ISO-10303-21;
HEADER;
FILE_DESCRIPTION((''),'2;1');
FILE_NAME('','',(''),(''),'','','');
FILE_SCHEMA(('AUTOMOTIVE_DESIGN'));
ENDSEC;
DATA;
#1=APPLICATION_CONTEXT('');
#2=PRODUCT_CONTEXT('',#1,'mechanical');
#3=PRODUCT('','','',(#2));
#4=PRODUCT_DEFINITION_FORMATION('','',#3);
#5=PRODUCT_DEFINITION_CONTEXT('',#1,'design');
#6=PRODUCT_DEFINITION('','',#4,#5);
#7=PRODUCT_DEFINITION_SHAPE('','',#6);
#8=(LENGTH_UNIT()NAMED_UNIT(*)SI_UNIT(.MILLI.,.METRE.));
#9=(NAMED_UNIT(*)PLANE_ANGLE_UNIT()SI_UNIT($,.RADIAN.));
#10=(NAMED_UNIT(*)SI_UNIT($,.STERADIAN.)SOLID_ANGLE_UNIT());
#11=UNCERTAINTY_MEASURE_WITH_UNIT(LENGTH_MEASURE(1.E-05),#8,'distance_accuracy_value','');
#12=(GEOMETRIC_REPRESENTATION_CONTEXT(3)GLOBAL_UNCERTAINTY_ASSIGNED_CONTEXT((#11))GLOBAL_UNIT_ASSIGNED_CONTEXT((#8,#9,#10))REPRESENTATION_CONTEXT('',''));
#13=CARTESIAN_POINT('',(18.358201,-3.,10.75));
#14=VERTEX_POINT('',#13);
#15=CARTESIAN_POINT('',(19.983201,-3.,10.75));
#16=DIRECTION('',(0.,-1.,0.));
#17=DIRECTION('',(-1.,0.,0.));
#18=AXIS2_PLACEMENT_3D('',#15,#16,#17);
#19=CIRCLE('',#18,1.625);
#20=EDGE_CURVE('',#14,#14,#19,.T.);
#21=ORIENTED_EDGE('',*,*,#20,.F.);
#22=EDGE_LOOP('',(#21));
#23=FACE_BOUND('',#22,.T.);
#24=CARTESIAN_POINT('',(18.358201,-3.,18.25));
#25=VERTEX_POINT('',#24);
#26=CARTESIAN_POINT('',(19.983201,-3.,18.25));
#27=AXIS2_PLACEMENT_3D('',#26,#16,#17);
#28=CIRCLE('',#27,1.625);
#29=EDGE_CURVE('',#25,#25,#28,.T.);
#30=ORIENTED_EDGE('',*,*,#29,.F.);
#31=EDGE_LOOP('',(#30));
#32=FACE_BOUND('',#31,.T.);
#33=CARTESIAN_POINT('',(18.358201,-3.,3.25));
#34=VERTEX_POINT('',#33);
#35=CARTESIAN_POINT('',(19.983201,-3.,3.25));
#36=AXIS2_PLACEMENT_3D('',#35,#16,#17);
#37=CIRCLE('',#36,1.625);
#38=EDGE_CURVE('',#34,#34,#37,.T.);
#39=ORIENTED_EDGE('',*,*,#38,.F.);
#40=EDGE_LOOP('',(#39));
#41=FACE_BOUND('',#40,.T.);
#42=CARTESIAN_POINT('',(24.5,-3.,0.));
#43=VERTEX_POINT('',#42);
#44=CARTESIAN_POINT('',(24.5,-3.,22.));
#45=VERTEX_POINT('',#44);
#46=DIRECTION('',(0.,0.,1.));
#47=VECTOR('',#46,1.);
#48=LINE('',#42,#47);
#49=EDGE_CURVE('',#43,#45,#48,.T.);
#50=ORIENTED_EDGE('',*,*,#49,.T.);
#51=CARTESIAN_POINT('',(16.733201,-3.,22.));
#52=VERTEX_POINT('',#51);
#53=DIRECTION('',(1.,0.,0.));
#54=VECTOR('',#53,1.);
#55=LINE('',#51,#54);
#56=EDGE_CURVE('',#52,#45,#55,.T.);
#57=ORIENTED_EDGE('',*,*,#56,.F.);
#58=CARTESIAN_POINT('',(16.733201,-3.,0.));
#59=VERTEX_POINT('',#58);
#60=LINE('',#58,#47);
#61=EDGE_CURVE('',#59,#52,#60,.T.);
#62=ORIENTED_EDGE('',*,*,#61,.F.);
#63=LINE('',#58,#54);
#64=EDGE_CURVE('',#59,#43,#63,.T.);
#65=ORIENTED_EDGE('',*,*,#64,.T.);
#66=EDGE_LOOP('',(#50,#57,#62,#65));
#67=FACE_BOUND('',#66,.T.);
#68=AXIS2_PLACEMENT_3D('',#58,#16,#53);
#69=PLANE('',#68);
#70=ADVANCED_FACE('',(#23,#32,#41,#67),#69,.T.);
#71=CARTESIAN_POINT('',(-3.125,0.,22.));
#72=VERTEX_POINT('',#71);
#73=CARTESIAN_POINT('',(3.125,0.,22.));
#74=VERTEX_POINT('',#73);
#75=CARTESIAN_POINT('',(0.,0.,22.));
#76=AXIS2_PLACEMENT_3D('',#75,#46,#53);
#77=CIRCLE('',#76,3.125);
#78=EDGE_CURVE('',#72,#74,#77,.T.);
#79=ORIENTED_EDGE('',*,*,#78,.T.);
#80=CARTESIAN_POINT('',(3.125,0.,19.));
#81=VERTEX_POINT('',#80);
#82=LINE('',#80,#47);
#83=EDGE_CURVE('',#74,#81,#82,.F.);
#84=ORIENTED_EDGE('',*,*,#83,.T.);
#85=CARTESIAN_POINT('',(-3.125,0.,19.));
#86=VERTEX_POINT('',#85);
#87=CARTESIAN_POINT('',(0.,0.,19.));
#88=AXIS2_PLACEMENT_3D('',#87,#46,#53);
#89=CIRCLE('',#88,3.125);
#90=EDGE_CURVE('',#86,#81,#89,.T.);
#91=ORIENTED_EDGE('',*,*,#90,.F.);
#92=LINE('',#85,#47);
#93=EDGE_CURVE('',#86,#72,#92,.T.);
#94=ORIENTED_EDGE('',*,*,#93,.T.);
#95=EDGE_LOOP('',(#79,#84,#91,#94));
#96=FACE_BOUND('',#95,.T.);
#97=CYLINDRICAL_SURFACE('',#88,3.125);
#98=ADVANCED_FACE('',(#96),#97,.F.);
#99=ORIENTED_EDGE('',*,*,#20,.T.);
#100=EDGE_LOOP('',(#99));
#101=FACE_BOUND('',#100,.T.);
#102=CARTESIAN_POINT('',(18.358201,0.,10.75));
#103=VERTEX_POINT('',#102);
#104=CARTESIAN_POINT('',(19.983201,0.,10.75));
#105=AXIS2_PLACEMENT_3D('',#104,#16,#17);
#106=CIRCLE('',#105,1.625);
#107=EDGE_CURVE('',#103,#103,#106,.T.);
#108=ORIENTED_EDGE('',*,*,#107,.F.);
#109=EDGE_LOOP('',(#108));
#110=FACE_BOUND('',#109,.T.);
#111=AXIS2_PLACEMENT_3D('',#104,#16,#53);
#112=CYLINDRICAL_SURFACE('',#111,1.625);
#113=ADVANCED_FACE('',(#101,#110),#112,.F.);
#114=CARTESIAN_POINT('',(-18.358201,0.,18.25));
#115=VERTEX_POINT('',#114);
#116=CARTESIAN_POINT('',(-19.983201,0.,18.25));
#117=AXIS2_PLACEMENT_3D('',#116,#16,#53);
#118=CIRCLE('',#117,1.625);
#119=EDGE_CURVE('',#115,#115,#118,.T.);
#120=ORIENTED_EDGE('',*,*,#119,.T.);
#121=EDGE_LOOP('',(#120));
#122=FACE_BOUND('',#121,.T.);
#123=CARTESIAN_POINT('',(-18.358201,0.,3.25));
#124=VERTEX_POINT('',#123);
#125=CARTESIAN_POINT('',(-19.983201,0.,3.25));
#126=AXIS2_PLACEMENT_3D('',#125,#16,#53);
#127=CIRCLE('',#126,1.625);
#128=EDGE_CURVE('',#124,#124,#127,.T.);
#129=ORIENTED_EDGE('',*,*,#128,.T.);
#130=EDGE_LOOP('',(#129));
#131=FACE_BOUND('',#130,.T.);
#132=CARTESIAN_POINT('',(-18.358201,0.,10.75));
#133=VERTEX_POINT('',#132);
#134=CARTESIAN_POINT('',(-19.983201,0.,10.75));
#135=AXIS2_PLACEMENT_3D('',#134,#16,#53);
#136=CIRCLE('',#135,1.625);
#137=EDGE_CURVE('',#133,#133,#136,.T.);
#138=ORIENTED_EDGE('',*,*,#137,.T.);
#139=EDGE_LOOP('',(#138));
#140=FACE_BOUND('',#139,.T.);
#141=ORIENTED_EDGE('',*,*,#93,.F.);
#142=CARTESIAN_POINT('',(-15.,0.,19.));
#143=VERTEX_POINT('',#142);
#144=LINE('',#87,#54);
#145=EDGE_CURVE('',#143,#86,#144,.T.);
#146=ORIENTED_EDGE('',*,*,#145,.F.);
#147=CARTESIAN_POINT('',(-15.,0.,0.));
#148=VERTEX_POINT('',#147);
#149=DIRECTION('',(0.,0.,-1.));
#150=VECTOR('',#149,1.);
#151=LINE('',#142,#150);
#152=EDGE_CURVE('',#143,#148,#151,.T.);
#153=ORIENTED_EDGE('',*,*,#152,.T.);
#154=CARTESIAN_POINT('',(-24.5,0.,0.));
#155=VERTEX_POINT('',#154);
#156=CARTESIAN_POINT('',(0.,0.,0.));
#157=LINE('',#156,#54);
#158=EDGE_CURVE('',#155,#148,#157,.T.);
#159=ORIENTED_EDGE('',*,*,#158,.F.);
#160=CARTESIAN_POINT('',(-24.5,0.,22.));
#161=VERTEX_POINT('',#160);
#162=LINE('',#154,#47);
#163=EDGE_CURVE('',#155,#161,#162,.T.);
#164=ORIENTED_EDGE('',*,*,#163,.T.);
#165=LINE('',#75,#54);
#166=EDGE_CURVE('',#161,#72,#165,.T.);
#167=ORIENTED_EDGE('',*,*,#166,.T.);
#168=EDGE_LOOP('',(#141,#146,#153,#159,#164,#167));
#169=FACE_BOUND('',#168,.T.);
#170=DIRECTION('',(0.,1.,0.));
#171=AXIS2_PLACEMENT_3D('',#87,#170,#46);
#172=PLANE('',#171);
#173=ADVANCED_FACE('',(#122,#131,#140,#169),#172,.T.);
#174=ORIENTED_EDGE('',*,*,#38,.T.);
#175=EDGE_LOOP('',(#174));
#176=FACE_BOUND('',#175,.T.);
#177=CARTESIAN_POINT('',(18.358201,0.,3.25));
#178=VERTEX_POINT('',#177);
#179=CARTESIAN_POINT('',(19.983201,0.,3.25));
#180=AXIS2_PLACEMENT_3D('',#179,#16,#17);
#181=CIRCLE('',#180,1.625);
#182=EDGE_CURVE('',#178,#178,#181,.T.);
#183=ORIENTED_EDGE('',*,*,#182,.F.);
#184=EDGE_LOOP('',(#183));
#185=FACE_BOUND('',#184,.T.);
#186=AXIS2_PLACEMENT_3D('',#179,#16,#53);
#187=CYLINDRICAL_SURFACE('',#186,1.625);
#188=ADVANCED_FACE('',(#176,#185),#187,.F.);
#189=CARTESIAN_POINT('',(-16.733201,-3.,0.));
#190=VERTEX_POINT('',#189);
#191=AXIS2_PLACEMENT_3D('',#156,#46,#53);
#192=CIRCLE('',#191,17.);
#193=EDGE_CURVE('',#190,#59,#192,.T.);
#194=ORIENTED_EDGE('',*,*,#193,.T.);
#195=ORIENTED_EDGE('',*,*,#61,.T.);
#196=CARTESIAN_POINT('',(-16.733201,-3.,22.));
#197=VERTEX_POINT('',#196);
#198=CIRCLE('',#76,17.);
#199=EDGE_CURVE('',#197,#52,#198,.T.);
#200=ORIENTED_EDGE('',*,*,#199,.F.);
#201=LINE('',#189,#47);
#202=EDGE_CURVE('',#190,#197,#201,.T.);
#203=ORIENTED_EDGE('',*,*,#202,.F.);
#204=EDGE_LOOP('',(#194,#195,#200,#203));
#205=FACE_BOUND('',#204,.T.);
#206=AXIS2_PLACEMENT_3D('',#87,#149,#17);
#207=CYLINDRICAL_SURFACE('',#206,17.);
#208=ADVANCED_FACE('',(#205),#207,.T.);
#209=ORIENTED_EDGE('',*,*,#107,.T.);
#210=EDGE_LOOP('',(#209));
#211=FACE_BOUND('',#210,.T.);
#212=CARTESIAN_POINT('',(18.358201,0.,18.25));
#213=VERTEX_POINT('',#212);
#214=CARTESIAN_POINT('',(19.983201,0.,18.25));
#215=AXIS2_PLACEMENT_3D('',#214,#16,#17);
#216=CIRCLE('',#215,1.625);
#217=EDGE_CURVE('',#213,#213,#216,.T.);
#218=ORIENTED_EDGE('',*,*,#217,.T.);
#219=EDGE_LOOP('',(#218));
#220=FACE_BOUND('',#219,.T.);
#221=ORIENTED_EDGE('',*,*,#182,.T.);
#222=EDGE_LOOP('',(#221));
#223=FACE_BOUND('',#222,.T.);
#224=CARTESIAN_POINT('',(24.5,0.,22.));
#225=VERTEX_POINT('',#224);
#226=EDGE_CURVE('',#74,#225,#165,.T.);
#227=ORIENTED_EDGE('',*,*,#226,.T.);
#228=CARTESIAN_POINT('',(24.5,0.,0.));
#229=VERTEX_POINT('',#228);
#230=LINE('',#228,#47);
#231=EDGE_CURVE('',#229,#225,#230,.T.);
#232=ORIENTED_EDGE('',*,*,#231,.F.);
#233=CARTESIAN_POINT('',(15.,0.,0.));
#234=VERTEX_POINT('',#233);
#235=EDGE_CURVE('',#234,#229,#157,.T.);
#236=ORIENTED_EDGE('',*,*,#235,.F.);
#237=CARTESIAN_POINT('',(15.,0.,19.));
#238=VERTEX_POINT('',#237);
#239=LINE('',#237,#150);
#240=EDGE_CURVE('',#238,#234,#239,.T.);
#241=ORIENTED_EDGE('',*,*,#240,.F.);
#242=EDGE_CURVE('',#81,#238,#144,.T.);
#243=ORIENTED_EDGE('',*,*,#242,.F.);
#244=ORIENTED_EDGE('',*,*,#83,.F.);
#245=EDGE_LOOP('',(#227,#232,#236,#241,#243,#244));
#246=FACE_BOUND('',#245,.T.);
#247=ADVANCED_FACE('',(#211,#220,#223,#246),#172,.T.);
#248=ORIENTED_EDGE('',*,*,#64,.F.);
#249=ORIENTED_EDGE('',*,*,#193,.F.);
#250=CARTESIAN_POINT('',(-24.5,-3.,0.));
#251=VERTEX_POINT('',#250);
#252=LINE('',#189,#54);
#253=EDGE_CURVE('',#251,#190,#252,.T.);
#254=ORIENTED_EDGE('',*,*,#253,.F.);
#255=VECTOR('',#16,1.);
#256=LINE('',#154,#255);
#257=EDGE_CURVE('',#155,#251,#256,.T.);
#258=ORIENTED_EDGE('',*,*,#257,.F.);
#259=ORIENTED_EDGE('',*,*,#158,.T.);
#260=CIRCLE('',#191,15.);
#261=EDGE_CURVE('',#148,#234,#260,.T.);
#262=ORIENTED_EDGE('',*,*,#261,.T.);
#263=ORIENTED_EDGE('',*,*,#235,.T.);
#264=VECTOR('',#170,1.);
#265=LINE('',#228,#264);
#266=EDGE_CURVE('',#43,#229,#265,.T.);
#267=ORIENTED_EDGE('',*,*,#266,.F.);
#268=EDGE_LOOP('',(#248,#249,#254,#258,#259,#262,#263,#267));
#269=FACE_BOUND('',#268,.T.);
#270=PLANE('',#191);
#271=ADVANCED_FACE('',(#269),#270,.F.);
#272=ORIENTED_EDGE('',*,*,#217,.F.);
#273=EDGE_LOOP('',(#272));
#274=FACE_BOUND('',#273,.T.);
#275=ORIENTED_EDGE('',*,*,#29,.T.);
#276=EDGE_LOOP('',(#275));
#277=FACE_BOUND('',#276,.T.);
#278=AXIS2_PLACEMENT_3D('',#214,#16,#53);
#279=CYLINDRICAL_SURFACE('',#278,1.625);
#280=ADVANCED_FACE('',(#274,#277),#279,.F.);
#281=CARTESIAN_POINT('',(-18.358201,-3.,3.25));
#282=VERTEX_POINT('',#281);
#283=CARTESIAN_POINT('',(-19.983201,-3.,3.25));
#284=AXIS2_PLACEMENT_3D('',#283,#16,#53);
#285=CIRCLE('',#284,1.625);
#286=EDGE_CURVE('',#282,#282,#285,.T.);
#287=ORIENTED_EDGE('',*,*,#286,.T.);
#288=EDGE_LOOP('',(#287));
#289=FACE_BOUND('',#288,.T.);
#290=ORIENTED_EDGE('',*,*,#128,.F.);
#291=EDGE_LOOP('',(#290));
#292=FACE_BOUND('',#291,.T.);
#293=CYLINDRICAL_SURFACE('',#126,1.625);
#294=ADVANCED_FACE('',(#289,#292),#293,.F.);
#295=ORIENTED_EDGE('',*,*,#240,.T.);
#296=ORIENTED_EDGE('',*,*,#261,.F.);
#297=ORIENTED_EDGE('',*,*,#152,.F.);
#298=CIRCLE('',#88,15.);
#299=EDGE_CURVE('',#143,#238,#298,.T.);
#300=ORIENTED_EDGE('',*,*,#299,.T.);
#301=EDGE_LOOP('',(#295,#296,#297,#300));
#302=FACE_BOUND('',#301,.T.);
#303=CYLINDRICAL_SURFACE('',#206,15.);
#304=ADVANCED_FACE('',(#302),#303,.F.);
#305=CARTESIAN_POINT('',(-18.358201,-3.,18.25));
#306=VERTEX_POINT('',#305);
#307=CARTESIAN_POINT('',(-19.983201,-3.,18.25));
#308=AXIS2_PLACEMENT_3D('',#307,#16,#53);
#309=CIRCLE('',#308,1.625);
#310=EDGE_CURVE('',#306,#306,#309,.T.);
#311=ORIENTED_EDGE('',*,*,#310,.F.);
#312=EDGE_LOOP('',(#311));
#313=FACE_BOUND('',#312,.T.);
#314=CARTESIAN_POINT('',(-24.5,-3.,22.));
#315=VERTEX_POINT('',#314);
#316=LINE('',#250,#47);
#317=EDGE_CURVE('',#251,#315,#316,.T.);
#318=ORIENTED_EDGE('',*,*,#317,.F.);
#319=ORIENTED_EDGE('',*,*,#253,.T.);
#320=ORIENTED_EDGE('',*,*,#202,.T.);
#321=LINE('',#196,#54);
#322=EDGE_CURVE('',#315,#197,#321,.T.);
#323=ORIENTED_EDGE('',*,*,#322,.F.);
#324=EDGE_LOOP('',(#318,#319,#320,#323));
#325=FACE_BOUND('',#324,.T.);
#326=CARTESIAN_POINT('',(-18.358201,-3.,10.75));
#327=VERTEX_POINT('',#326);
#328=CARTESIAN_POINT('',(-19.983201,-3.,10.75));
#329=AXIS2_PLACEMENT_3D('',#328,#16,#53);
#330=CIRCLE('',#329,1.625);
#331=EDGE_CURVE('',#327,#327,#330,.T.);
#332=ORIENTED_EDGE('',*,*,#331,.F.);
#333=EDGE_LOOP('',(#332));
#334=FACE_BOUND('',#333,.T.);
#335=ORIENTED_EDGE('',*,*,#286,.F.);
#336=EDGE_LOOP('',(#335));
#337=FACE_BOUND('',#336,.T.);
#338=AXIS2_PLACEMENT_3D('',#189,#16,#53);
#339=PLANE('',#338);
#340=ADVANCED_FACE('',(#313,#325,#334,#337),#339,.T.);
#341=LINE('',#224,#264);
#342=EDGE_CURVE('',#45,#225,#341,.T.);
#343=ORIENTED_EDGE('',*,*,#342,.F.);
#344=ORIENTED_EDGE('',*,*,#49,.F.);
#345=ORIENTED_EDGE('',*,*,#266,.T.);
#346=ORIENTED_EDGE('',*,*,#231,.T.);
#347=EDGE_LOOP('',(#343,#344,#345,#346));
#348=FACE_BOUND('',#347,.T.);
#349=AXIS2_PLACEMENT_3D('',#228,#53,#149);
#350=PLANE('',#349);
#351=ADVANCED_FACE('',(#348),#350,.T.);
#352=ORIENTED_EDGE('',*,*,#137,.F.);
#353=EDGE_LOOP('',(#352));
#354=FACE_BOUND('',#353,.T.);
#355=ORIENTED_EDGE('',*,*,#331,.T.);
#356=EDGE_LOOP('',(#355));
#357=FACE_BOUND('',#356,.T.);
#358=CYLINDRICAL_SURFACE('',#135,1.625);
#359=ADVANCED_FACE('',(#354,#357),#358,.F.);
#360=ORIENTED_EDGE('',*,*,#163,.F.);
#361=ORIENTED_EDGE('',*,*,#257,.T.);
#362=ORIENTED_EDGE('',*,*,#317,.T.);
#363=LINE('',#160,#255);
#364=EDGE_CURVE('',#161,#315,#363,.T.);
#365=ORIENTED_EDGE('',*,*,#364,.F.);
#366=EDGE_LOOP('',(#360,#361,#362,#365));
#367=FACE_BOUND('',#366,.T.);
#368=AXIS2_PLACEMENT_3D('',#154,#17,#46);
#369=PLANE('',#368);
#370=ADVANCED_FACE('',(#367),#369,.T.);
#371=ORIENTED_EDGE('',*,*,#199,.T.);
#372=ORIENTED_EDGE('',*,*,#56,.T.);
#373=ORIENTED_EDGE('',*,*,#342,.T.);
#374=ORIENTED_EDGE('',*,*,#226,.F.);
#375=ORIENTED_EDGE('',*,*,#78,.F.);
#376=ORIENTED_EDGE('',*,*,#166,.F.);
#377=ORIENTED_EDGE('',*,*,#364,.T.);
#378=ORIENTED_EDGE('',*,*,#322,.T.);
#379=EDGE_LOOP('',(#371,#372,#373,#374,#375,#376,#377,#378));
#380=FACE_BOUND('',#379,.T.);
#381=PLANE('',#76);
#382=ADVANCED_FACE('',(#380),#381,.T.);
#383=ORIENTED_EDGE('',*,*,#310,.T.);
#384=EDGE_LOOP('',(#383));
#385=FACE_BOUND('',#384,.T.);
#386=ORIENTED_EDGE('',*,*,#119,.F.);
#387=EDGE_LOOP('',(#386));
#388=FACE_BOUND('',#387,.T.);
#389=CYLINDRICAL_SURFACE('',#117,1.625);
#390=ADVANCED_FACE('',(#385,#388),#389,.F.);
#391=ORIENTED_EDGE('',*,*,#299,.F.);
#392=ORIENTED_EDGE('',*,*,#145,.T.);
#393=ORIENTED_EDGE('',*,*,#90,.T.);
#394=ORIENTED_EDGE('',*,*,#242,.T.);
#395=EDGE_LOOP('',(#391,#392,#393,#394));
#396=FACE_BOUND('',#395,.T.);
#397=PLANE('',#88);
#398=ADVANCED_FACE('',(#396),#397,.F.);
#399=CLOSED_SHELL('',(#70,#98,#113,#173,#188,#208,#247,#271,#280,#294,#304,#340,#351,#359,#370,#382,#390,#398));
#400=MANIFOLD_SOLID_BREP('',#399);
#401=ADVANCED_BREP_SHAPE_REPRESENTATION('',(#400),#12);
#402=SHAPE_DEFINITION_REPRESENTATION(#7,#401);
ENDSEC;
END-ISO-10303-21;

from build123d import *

# Parameters (mm, degrees)
SALIENTE_EXTRUIR1_DEPTH = 19
SALIENTE_EXTRUIR2_DEPTH = 3
CROQUIS3_R              = 3.125
CORTAR_EXTRUIR1_DEPTH   = 3
CROQUIS4_W              = 7.766799469
CROQUIS4_H              = 3
SALIENTE_EXTRUIR3_DEPTH = 22
CROQUIS5_R              = 1.625
CORTAR_EXTRUIR2_DEPTH   = 4


with BuildPart() as part:
    # Croquis1 → Saliente-Extruir1 (new body)
    with BuildSketch(Plane.XY):
        with BuildLine():
            Line((17, 0), (15, 0))
            ThreePointArc((15, 0), (0, -15), (-15, 0))
            Line((-15, 0), (-17, 0))
            ThreePointArc((-17, 0), (0, -17), (17, 0))
        make_face()
    extrude(amount=SALIENTE_EXTRUIR1_DEPTH)

    # Croquis2 → Saliente-Extruir2 (add)
    with BuildSketch(Plane.XY.offset(19)):
        with BuildLine():
            Line((15, 0), (-15, 0))
            ThreePointArc((-15, 0), (0, -15), (15, 0))
        make_face()
        with BuildLine():
            ThreePointArc((15, 0), (0, -15), (-15, 0))
            Line((-15, 0), (-17, 0))
            ThreePointArc((-17, 0), (0, -17), (17, 0))
            Line((17, 0), (15, 0))
        make_face()
    extrude(amount=SALIENTE_EXTRUIR2_DEPTH)

    # Croquis3 → Cortar-Extruir1 (cut)
    with BuildSketch(Plane.XY.offset(22)):
        Circle(CROQUIS3_R)
    extrude(amount=-CORTAR_EXTRUIR1_DEPTH, mode=Mode.SUBTRACT)

    # Croquis4 → Saliente-Extruir3 (add)
    with BuildSketch(Plane.XY.offset(22)):
        with Locations((-20.616600266, -1.5)):
            Rectangle(CROQUIS4_W, CROQUIS4_H)
        with Locations((20.616600266, -1.5)):
            Rectangle(CROQUIS4_W, CROQUIS4_H)
    extrude(amount=-SALIENTE_EXTRUIR3_DEPTH)

    # Croquis5 → Cortar-Extruir2 (cut, through all)
    with BuildSketch(Plane.XZ.offset(3)):
        with Locations((-19.983200531, 3.25)):
            Circle(CROQUIS5_R)
        with Locations((-19.983200531, 10.75)):
            Circle(CROQUIS5_R)
        with Locations((-19.983200531, 18.25)):
            Circle(CROQUIS5_R)
        with Locations((19.983200531, 18.25)):
            Circle(CROQUIS5_R)
        with Locations((19.983200531, 10.75)):
            Circle(CROQUIS5_R)
        with Locations((19.983200531, 3.25)):
            Circle(CROQUIS5_R)
    extrude(amount=-CORTAR_EXTRUIR2_DEPTH, mode=Mode.SUBTRACT)


solid = part.part
